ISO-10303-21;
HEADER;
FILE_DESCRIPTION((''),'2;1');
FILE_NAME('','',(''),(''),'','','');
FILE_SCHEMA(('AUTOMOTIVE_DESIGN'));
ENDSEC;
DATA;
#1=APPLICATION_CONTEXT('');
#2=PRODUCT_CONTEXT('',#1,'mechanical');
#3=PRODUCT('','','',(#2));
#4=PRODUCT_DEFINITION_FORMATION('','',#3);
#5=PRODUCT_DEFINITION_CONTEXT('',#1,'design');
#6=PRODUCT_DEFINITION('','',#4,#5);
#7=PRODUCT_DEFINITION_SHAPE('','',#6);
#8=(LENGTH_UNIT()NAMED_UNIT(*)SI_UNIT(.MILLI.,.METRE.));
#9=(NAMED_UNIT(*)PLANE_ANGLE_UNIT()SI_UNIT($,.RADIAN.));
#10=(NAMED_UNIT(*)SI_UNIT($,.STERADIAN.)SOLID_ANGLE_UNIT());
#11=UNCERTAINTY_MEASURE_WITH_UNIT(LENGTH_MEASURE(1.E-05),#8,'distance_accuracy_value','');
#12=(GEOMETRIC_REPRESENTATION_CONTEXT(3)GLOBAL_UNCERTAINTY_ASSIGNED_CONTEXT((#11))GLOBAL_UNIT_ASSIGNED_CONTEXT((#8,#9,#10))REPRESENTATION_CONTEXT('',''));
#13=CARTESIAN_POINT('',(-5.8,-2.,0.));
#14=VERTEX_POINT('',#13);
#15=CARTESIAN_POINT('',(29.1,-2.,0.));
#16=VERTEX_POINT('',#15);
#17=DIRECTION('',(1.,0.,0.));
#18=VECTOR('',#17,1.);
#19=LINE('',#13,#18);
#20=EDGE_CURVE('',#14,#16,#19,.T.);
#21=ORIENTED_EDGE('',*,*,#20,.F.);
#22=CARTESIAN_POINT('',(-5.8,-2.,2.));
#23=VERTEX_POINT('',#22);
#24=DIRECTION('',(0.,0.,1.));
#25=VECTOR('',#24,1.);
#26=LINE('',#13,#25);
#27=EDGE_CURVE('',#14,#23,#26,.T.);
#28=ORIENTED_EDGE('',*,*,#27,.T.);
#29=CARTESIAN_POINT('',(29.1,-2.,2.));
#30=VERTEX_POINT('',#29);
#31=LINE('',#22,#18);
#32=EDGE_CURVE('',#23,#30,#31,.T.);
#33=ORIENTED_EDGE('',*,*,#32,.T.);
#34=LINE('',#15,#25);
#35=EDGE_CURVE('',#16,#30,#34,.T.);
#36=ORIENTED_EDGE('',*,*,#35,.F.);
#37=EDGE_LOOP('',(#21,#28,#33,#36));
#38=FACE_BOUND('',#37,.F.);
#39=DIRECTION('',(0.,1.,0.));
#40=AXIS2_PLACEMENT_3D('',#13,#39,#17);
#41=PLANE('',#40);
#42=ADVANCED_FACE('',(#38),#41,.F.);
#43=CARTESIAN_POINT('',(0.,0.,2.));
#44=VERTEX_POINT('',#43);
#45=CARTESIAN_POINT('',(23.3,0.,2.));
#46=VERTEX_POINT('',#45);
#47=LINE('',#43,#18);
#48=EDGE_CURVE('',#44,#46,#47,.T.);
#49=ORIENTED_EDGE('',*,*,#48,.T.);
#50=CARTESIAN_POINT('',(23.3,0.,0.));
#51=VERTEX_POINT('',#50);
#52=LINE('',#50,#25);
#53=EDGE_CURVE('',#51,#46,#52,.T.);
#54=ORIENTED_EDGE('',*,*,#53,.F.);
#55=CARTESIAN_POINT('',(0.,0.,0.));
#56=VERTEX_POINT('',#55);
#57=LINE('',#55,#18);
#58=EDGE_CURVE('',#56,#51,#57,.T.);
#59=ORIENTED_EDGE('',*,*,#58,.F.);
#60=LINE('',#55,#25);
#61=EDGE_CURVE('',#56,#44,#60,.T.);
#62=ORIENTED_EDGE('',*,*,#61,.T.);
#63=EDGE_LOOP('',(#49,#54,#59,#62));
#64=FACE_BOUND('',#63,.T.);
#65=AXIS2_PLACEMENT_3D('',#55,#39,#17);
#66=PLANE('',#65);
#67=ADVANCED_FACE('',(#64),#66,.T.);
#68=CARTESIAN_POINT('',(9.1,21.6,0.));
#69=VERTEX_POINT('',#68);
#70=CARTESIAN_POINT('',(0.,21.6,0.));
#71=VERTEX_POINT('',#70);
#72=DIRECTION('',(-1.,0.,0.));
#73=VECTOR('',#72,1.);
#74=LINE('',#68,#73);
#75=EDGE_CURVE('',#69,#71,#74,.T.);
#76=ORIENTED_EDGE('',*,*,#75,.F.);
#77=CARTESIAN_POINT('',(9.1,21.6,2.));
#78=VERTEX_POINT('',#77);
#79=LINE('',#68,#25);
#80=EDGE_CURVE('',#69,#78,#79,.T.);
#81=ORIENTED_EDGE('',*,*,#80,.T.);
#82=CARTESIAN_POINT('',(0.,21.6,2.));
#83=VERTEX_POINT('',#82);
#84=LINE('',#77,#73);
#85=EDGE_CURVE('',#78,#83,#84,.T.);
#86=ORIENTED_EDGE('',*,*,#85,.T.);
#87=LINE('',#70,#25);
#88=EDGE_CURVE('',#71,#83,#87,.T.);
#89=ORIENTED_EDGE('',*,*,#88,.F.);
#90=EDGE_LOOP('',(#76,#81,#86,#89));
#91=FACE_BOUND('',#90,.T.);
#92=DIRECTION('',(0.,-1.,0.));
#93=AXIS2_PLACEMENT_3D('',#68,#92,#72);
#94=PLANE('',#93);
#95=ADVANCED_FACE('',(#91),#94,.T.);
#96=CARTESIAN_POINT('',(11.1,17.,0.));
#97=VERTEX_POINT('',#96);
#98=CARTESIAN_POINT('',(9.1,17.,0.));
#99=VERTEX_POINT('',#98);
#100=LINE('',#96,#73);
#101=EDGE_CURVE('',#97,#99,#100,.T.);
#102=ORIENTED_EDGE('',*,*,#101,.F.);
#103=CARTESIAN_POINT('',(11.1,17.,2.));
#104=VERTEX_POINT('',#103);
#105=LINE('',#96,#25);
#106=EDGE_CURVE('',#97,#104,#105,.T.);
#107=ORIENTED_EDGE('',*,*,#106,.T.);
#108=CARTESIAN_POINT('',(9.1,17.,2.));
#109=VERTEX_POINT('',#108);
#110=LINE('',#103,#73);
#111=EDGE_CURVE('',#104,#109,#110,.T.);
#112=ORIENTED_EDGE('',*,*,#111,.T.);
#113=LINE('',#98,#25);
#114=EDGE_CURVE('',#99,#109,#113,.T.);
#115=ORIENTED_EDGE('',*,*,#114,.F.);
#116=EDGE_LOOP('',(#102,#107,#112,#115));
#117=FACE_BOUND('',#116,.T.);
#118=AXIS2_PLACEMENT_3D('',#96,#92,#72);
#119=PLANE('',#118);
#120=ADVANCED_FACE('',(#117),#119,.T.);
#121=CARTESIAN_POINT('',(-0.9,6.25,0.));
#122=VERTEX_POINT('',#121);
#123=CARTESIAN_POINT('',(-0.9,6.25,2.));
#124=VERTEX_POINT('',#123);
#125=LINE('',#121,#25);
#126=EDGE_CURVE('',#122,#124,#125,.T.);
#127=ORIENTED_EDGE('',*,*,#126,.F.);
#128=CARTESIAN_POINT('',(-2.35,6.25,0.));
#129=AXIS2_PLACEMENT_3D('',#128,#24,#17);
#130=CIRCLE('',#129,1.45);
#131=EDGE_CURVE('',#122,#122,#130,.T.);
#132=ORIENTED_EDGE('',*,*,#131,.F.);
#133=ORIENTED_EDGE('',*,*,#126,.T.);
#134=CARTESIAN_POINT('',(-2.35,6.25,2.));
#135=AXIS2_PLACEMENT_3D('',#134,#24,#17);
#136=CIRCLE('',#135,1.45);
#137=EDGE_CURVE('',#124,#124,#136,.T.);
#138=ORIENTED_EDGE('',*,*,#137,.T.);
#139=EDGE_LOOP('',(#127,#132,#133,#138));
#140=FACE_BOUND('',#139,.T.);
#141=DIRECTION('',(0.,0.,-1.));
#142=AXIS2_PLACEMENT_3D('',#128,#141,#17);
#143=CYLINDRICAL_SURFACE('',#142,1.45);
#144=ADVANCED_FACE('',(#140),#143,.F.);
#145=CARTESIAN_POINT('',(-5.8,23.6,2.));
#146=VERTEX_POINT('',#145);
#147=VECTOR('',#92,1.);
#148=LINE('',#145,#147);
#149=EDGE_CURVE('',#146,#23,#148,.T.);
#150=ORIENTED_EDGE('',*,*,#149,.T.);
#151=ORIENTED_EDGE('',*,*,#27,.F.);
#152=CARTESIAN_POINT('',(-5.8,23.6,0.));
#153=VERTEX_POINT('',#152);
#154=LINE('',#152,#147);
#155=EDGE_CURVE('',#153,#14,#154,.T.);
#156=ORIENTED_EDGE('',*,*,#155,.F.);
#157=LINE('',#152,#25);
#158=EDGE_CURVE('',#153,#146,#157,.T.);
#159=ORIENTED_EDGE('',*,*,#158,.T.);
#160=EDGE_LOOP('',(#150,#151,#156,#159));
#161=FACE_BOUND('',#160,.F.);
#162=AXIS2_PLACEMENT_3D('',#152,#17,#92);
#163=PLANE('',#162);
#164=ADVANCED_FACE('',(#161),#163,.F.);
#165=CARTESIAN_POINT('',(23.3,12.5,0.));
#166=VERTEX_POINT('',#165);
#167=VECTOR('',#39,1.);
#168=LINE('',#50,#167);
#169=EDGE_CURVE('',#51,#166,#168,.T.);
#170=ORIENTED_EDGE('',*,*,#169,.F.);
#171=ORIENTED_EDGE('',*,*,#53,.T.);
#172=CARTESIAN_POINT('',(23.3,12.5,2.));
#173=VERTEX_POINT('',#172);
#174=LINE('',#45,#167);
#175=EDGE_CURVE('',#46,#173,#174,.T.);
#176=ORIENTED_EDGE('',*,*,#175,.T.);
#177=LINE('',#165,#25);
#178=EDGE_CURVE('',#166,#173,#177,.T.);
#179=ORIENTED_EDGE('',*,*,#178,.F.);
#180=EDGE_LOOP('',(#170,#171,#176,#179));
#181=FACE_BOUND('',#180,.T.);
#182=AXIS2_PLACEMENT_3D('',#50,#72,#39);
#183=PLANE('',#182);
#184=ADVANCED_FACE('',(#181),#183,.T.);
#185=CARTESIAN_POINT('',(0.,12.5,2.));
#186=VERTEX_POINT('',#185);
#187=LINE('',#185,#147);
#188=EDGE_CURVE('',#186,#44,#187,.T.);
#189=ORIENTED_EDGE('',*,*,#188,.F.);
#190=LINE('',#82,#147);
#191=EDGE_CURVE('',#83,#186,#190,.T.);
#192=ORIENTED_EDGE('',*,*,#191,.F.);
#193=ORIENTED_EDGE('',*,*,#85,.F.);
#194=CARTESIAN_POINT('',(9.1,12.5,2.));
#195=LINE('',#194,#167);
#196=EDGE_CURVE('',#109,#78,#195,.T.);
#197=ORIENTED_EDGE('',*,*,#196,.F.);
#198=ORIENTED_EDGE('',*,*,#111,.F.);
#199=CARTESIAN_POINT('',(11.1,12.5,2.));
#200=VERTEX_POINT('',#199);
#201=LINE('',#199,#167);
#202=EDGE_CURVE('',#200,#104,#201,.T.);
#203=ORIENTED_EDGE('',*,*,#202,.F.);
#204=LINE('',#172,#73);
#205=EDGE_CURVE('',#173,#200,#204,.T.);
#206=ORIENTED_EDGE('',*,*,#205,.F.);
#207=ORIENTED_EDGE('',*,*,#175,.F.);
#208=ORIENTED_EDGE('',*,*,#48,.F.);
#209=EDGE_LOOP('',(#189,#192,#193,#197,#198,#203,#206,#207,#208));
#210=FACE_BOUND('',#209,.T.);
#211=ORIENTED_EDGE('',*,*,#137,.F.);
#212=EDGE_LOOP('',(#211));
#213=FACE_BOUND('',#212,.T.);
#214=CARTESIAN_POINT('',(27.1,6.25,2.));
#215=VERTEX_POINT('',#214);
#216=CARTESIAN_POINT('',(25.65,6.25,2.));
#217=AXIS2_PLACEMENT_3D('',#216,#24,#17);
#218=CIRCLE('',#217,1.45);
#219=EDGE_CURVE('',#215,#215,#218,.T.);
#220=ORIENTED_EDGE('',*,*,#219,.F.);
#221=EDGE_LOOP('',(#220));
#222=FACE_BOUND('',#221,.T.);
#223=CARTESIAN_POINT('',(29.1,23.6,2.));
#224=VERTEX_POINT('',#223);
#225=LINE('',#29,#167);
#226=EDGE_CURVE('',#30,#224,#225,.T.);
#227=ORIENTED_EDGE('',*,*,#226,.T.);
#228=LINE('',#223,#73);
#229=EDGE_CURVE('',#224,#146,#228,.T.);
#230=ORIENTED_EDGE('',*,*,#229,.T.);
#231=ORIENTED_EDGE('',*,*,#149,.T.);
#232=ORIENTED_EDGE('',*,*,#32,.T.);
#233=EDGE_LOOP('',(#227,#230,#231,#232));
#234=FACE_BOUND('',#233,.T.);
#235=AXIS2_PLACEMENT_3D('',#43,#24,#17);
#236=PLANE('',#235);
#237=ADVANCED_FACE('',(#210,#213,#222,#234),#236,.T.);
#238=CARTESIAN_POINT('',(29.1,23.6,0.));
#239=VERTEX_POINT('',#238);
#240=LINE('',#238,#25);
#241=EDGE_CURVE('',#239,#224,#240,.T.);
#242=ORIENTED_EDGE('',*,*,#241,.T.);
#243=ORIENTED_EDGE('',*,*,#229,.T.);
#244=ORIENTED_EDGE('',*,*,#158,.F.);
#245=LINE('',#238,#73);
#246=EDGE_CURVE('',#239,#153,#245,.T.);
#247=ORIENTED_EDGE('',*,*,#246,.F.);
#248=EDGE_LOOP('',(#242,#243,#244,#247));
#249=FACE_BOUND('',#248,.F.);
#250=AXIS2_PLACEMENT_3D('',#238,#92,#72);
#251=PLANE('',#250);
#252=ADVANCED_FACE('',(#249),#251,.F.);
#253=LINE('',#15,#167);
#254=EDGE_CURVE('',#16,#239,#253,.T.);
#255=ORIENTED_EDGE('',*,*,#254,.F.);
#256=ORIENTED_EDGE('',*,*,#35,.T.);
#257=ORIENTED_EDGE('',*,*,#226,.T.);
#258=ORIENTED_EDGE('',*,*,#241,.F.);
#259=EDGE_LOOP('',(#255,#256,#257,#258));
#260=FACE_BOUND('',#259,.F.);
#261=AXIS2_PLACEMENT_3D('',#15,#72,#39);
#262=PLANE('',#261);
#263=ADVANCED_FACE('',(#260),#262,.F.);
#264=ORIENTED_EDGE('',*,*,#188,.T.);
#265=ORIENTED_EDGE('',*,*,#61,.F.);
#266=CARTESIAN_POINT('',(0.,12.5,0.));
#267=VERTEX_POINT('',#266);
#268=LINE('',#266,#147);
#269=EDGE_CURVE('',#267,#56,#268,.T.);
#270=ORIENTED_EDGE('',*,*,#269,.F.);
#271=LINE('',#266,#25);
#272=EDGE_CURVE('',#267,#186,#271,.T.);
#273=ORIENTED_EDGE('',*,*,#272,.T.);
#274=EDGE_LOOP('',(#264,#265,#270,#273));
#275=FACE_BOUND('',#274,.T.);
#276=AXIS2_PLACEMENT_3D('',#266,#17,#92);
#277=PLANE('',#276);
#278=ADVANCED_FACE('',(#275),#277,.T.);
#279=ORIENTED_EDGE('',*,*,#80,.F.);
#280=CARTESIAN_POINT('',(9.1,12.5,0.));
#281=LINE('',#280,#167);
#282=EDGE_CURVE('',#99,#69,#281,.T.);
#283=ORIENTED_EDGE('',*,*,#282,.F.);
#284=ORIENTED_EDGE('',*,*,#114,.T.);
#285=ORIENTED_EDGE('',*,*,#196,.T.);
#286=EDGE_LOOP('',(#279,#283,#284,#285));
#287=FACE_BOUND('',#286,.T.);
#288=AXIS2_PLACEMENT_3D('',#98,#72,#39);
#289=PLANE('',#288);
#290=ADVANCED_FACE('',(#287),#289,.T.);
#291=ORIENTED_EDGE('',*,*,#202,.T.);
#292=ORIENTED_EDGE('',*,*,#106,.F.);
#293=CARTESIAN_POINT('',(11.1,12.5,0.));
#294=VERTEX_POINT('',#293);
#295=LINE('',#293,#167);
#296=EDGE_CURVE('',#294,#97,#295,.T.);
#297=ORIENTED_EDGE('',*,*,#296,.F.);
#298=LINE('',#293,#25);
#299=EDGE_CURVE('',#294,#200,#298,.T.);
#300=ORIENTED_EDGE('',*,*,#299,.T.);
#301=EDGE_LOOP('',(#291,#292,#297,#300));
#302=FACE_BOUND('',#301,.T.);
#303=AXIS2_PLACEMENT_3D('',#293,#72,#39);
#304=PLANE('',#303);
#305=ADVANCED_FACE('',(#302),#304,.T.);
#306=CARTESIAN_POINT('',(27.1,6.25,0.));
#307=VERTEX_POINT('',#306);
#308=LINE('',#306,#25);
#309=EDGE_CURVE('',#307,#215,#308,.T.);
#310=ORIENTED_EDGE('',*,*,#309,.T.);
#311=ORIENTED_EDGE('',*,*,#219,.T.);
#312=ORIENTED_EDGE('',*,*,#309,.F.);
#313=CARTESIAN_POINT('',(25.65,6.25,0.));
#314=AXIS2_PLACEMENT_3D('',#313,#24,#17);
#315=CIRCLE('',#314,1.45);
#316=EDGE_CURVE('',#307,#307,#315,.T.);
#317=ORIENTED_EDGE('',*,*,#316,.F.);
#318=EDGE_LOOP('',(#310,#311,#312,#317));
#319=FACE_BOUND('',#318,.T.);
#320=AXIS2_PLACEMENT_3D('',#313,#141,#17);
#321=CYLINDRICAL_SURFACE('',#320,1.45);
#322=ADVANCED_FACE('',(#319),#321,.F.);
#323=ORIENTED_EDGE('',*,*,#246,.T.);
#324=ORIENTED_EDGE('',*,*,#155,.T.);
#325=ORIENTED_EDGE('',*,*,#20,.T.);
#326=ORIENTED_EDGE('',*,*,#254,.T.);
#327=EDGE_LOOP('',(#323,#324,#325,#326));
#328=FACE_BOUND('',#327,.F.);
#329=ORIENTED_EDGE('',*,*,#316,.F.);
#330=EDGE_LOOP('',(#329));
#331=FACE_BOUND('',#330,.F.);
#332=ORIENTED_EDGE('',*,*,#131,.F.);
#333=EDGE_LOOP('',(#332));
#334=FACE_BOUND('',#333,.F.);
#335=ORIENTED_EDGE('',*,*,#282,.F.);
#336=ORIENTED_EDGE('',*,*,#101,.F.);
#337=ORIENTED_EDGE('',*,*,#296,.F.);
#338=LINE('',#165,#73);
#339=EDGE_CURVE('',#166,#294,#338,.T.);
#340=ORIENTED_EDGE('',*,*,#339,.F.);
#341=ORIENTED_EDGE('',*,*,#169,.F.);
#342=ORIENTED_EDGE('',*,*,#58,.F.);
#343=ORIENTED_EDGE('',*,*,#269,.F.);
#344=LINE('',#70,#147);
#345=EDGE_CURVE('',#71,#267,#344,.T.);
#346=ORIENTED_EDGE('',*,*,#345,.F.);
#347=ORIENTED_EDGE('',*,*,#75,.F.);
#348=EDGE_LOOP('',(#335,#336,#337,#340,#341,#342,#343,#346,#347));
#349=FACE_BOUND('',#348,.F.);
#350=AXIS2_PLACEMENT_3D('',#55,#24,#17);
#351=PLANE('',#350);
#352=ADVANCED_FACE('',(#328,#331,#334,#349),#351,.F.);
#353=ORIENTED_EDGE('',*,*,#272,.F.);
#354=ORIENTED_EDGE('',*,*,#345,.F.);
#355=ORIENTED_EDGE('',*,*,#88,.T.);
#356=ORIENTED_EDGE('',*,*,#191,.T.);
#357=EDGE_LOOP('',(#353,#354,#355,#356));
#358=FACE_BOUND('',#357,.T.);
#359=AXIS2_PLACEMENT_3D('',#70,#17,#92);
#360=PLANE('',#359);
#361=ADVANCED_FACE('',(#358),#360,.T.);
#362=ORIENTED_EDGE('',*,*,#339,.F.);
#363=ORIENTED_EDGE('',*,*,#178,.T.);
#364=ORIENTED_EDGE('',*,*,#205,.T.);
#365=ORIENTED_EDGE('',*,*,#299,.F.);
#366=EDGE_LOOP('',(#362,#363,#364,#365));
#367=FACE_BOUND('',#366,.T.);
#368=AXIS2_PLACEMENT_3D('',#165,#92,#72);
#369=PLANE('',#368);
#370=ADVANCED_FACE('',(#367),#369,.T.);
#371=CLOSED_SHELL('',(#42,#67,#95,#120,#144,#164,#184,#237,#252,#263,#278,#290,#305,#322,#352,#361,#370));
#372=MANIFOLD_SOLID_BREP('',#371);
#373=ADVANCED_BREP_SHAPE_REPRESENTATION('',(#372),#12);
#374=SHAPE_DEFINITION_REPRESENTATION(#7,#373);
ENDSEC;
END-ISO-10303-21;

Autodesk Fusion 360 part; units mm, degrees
sketch "Sketch1" plane through (0, 0, 0) normal (0, 0, 1) x (1, 0, 0)
  line L0 (0, 0) -> (23.3, 0)
  line L1 (23.3, 0) -> (23.3, 12.5)
  line L2 (23.3, 12.5) -> (0, 12.5)
  line L3 (0, 12.5) -> (0, 0)
  line L4 (0, 12.5) -> (9.1, 12.5)
  line L5 (9.1, 12.5) -> (9.1, 21.6)
  line L6 (9.1, 21.6) -> (0, 21.6)
  line L7 (0, 21.6) -> (0, 12.5)
  line L8 (9.1, 12.5) -> (11.1, 12.5)
  line L9 (11.1, 12.5) -> (11.1, 17)
  line L10 (11.1, 17) -> (9.1, 17)
  line L11 (9.1, 17) -> (9.1, 12.5)
  line L12 (0, 6.25) -> (23.3, 6.25) construction
  line L13 (23.3, 6.25) -> (25.65, 6.25) construction
  line L14 (0, 6.25) -> (-2.35, 6.25) construction
  circle A0 centre (25.65, 6.25) radius 1.45
  circle A1 centre (-2.35, 6.25) radius 1.45
  line L15 (-5.8, -2) -> (29.1, -2)
  line L16 (29.1, -2) -> (29.1, 23.6)
  line L17 (29.1, 23.6) -> (-5.8, 23.6)
  line L18 (-5.8, 23.6) -> (-5.8, -2)
  dimension "d1" = 23.3
  dimension "d2" = 12.5
  dimension "d3" = 9.1
  dimension "d4" = 9.1
  dimension "d5" = 2
  dimension "d6" = 4.5
  dimension "d7" = 2.35
  dimension "d8" = 2.35
  dimension "d9" = 2.9
  dimension "d10" = 2.9
  dimension "d11" = 3.45
  dimension "d12" = 3.45
  dimension "d13" = 2
  dimension "d14" = 2
extrude "Extrude1" add sketch "Sketch1" along normal blind 2
sketch "Sketch2" plane through (0, 0, 2) normal (0, 0, 1) x (-1, 0, 0)
  line L0 (-9.1, -17) -> (-11.1, -17)
  line L1 (-11.1, -17) -> (-11.1, -12.5)
  line L2 (-11.1, -12.5) -> (-23.3, -12.5)
  line L3 (-23.3, -12.5) -> (-23.3, 0)
  line L4 (-23.3, 0) -> (0, 0)
  line L5 (0, 0) -> (0, -21.6)
  line L6 (0, -21.6) -> (-9.1, -21.6)
  line L7 (-9.1, -21.6) -> (-9.1, -17)
  circle A0 centre (2.35, -6.25) radius 1.45
  circle A1 centre (-25.65, -6.25) radius 1.45
  line L8 (5.8, -23.6) -> (5.8, 2)
  line L9 (5.8, 2) -> (-29.1, 2)
  line L10 (-29.1, 2) -> (-29.1, -23.6)
  line L11 (-29.1, -23.6) -> (5.8, -23.6)
